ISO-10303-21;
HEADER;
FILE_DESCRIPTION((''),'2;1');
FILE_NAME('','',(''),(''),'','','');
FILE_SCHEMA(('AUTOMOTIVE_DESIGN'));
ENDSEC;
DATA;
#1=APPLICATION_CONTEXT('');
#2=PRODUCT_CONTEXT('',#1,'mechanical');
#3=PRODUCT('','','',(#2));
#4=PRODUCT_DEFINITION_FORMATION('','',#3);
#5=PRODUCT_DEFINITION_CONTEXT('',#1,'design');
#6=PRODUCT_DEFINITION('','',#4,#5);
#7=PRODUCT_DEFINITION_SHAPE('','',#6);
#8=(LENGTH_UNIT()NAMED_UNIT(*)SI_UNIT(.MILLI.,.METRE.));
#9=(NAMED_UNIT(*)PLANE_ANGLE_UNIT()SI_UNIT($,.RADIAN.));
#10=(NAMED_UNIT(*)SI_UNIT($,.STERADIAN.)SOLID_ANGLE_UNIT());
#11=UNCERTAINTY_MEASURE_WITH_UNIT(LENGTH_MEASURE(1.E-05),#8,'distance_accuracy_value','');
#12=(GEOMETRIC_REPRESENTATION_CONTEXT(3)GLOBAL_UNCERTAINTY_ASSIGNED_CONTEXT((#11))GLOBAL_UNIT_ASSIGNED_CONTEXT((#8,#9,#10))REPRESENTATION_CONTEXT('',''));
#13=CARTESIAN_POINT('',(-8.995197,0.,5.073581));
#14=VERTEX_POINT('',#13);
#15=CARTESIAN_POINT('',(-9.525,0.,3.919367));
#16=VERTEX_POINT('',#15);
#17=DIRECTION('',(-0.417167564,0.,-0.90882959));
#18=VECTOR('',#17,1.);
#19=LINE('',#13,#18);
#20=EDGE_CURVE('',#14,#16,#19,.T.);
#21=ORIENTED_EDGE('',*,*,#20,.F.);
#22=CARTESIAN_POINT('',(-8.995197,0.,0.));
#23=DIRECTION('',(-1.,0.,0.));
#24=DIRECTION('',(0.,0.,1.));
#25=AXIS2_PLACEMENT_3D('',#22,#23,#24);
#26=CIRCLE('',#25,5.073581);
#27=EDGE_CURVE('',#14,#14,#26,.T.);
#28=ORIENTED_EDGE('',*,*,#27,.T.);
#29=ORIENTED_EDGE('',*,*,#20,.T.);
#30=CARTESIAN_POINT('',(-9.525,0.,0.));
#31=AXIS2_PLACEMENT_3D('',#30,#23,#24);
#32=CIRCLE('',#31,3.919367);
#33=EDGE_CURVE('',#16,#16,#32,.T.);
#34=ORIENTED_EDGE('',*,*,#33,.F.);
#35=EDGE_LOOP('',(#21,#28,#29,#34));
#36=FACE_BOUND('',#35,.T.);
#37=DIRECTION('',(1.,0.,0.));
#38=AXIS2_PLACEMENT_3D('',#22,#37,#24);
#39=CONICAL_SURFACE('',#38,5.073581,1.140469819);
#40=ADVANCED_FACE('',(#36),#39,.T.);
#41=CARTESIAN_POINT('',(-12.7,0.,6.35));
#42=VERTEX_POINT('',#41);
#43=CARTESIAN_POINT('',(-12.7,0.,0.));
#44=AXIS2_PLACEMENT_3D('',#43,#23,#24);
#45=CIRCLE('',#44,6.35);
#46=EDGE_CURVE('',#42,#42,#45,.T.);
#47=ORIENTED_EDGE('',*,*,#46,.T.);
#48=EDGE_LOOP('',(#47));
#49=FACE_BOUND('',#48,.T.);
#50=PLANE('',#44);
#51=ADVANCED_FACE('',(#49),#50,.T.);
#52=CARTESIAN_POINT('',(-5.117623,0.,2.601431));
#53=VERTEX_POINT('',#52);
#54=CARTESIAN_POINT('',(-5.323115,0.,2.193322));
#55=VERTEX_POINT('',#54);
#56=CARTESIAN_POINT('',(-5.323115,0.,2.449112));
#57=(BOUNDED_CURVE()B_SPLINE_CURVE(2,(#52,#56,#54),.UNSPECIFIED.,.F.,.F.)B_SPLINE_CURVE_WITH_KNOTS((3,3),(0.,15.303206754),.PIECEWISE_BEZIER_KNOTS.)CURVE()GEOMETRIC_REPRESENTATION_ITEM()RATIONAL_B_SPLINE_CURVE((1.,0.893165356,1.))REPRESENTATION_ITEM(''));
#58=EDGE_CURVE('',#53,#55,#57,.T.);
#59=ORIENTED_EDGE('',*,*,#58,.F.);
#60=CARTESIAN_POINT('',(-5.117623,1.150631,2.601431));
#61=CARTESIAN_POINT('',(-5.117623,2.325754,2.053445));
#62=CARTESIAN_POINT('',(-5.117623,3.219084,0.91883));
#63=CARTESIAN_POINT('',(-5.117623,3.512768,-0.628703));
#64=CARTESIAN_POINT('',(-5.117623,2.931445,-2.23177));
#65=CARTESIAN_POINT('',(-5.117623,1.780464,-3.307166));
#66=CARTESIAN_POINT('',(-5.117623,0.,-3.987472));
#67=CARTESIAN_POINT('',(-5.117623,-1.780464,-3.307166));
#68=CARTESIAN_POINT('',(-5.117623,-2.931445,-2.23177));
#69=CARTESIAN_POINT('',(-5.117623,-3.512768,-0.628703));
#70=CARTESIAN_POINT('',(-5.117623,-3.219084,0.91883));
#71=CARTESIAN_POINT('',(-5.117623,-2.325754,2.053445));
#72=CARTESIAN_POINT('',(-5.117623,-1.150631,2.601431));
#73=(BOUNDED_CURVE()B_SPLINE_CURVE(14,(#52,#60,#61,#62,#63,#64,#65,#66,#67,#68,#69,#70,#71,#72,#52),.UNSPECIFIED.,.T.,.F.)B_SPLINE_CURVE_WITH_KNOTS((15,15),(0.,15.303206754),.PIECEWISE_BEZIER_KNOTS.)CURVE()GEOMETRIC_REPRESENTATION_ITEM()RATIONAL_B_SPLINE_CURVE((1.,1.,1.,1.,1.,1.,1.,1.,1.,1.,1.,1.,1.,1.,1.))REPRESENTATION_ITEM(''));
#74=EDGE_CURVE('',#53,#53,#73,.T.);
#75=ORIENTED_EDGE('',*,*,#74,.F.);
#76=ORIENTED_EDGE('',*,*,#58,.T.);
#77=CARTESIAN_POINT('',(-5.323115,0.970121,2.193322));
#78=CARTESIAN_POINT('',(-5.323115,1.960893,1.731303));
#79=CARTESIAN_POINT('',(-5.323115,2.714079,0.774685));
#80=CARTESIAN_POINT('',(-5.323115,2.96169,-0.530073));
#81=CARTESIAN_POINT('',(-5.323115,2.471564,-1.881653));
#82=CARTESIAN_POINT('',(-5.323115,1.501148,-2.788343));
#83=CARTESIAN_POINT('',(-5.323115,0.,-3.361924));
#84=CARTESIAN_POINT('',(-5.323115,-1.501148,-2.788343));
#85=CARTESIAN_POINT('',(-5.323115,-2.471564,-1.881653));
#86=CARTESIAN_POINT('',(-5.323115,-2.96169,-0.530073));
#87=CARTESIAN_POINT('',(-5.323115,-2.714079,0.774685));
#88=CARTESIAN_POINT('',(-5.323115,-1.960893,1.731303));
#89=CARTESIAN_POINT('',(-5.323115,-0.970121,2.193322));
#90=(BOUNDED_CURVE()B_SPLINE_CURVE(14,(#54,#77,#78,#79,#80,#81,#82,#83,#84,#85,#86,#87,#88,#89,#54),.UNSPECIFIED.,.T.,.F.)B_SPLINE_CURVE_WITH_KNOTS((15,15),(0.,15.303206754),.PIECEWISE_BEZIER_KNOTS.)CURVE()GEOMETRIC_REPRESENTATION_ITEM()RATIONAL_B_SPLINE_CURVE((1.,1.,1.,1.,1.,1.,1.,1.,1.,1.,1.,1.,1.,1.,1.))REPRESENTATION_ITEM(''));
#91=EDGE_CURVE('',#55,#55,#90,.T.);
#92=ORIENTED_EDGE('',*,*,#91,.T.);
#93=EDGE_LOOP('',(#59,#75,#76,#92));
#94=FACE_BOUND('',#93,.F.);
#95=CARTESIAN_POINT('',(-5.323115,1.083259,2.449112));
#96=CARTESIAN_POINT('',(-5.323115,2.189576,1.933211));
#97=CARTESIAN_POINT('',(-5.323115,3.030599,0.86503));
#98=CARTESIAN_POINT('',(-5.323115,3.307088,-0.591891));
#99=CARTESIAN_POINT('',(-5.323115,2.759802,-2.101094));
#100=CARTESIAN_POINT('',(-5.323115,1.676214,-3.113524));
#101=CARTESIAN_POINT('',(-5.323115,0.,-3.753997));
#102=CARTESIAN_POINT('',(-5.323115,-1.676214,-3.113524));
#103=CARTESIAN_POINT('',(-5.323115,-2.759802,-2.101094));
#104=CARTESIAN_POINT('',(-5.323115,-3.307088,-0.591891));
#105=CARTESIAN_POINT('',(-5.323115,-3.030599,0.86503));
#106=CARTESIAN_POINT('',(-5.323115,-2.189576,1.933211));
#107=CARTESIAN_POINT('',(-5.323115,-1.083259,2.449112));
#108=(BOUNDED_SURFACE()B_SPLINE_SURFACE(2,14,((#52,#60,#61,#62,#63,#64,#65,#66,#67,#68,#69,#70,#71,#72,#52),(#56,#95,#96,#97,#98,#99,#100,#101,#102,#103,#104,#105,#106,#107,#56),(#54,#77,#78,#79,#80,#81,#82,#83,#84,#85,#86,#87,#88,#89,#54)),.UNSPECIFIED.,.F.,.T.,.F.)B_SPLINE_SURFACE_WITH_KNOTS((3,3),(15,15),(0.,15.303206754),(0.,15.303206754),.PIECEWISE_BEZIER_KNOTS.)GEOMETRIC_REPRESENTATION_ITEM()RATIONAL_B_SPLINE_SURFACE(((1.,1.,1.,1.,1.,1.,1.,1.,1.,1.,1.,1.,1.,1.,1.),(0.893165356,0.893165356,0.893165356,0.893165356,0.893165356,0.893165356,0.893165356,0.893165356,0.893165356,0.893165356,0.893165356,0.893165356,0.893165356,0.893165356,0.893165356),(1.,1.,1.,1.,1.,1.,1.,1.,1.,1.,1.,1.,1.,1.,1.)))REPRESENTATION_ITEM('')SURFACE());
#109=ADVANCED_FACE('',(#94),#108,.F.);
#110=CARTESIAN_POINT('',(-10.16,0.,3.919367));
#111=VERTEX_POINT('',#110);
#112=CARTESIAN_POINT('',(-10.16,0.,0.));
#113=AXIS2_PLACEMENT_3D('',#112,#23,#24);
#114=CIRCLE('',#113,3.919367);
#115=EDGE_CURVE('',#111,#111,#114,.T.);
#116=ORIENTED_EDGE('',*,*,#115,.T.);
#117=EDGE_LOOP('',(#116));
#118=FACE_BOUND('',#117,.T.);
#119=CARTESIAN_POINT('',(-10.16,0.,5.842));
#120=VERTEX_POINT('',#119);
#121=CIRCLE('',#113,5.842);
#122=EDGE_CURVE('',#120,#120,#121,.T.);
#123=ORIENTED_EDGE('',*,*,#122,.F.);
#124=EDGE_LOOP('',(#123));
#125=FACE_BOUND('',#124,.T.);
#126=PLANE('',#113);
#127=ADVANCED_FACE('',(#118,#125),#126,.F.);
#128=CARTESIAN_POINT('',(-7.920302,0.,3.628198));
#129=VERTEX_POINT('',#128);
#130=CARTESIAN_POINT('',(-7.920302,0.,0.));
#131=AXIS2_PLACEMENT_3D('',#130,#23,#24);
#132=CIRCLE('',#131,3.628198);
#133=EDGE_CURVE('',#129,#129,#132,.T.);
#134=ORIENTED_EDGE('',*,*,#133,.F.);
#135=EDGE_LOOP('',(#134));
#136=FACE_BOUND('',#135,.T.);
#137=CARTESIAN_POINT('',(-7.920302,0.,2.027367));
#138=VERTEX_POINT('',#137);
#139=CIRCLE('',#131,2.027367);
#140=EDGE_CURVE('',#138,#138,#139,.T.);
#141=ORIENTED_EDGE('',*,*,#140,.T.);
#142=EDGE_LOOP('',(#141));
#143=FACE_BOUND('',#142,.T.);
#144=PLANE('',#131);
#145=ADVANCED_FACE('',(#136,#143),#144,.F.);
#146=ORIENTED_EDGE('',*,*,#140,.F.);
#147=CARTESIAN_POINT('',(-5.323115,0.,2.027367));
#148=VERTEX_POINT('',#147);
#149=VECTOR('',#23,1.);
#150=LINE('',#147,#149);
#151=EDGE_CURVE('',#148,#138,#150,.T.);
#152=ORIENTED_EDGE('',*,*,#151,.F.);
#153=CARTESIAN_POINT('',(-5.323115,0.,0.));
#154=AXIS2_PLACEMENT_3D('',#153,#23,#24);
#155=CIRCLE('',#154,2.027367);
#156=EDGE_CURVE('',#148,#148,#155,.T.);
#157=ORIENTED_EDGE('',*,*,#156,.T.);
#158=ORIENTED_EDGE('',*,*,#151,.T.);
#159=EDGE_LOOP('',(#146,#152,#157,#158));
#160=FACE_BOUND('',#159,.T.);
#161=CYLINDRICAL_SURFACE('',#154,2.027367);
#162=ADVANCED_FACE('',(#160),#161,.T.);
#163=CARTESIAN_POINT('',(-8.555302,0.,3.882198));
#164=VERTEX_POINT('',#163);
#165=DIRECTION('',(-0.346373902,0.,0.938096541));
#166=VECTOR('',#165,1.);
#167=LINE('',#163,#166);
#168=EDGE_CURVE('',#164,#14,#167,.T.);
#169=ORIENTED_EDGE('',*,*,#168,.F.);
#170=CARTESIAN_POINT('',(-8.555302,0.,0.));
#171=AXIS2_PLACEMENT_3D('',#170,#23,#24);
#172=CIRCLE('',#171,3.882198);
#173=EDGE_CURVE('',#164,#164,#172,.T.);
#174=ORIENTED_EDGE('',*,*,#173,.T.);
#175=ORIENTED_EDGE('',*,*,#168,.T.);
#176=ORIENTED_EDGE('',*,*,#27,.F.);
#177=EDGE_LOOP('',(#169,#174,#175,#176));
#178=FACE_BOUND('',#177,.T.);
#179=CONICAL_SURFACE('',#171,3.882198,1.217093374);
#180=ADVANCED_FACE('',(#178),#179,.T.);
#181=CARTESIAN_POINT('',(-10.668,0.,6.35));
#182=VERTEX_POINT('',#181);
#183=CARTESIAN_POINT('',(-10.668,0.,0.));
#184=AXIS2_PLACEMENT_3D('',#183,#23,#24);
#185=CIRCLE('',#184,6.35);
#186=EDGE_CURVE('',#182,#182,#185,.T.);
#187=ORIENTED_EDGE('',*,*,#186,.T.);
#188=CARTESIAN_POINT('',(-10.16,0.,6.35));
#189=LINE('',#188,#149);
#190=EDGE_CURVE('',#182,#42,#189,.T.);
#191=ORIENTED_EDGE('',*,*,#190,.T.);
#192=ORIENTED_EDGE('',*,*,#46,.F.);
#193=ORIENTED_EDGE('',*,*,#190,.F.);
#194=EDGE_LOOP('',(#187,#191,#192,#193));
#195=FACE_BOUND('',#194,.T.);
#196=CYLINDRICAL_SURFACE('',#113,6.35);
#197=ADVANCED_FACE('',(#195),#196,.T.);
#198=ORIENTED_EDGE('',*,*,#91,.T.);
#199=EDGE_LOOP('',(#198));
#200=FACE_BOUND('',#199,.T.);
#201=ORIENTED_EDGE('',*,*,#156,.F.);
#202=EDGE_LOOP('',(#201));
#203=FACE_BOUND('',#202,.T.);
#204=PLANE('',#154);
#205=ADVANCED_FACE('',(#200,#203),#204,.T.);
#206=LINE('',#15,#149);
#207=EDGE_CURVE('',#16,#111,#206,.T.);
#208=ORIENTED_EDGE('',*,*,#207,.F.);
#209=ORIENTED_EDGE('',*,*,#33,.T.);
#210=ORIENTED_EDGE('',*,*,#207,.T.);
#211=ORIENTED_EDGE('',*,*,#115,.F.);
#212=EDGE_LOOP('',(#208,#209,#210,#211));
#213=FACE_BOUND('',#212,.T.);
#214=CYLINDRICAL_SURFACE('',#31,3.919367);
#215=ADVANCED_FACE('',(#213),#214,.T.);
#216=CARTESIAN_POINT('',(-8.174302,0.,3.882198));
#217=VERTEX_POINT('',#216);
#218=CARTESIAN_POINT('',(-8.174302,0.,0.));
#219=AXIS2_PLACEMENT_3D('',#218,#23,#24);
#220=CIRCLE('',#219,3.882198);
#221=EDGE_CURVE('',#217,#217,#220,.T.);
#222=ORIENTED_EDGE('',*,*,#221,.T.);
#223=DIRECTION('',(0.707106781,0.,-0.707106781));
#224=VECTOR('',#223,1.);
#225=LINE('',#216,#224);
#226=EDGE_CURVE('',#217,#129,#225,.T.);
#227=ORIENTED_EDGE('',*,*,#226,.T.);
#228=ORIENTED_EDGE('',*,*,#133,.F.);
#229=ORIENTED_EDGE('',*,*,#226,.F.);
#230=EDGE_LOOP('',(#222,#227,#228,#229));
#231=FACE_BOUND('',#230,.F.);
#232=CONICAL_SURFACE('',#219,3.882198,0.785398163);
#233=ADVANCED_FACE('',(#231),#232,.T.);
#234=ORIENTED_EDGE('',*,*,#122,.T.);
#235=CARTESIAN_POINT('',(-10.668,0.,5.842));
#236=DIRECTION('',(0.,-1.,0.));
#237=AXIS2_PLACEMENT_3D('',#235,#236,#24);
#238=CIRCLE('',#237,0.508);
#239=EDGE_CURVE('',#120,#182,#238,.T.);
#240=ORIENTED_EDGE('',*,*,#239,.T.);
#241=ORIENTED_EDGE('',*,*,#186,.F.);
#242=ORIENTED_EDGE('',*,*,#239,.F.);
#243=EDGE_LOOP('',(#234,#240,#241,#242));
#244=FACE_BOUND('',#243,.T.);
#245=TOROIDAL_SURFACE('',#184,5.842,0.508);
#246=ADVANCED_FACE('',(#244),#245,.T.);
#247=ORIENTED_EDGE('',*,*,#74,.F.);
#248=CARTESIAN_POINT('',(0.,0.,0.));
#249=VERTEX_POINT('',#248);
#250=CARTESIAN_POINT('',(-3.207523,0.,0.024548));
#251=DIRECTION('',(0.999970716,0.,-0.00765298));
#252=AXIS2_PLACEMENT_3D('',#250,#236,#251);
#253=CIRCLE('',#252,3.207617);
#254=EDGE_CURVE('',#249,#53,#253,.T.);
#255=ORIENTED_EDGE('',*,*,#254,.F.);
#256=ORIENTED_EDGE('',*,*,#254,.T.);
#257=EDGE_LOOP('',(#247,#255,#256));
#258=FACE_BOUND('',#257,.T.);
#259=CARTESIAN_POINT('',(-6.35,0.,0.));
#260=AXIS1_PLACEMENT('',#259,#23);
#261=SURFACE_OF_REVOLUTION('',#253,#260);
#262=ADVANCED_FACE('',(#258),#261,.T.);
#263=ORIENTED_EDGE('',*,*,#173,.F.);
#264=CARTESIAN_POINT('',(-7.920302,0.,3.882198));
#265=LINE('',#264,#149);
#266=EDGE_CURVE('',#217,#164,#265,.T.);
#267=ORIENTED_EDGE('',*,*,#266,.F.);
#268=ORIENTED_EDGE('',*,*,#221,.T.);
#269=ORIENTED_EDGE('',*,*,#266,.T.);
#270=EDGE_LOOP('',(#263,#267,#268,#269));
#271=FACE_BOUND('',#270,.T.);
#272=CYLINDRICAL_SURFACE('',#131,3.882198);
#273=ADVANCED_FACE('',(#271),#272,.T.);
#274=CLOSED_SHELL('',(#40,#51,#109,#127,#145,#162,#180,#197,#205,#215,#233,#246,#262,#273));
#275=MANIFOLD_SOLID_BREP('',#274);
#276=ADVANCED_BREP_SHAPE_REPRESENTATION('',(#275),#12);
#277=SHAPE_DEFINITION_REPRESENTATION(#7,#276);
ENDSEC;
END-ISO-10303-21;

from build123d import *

# Parameters (mm, degrees)
F2_R    = 0.508
F3_R    = 0.508
F4_SIZE = 0.254


with BuildPart() as f1:
    # F0 (on Front) → F1 (revolve)
    with BuildSketch(Plane.XZ):
        with BuildLine():
            Line((-12.7, 0), (0, 0))
            ThreePointArc((0, 0), (-1.872948, 2.941347), (-5.323115, 2.435581))
            Line((-5.323115, 2.435581), (-5.323115, 2.027367))
            Line((-5.323115, 2.027367), (-7.920302, 2.027367))
            Line((-7.920302, 2.027367), (-7.920302, 2.435581))
            Line((-7.920302, 2.435581), (-7.920302, 3.882198))
            Line((-7.920302, 3.882198), (-8.555302, 3.882198))
            Line((-8.555302, 3.882198), (-8.995197, 5.073581))
            Line((-8.995197, 5.073581), (-9.525, 3.919367))
            Line((-9.525, 3.919367), (-10.16, 3.919367))
            Line((-10.16, 3.919367), (-10.16, 6.35))
            Line((-10.16, 6.35), (-12.7, 6.35))
            Line((-12.7, 6.35), (-12.7, 0))
        make_face()
    revolve(axis=Axis((-6.35, 0, 0), (-1, 0, 0)))

    # F2
    f2_edges = [f1.edges().sort_by_distance(p)[0] for p in [
        (-5.323115, 0, -2.435581),
    ]]
    fillet(f2_edges, radius=F2_R)

    # F3
    f3_edges = [f1.edges().sort_by_distance(p)[0] for p in [
        (-10.16, 0, -6.35),
    ]]
    fillet(f3_edges, radius=F3_R)

    # F4
    f4_edges = [f1.edges().sort_by_distance(p)[0] for p in [
        (-7.920302, 0, -3.882198),
    ]]
    chamfer(f4_edges, length=F4_SIZE)


solid = f1.part
